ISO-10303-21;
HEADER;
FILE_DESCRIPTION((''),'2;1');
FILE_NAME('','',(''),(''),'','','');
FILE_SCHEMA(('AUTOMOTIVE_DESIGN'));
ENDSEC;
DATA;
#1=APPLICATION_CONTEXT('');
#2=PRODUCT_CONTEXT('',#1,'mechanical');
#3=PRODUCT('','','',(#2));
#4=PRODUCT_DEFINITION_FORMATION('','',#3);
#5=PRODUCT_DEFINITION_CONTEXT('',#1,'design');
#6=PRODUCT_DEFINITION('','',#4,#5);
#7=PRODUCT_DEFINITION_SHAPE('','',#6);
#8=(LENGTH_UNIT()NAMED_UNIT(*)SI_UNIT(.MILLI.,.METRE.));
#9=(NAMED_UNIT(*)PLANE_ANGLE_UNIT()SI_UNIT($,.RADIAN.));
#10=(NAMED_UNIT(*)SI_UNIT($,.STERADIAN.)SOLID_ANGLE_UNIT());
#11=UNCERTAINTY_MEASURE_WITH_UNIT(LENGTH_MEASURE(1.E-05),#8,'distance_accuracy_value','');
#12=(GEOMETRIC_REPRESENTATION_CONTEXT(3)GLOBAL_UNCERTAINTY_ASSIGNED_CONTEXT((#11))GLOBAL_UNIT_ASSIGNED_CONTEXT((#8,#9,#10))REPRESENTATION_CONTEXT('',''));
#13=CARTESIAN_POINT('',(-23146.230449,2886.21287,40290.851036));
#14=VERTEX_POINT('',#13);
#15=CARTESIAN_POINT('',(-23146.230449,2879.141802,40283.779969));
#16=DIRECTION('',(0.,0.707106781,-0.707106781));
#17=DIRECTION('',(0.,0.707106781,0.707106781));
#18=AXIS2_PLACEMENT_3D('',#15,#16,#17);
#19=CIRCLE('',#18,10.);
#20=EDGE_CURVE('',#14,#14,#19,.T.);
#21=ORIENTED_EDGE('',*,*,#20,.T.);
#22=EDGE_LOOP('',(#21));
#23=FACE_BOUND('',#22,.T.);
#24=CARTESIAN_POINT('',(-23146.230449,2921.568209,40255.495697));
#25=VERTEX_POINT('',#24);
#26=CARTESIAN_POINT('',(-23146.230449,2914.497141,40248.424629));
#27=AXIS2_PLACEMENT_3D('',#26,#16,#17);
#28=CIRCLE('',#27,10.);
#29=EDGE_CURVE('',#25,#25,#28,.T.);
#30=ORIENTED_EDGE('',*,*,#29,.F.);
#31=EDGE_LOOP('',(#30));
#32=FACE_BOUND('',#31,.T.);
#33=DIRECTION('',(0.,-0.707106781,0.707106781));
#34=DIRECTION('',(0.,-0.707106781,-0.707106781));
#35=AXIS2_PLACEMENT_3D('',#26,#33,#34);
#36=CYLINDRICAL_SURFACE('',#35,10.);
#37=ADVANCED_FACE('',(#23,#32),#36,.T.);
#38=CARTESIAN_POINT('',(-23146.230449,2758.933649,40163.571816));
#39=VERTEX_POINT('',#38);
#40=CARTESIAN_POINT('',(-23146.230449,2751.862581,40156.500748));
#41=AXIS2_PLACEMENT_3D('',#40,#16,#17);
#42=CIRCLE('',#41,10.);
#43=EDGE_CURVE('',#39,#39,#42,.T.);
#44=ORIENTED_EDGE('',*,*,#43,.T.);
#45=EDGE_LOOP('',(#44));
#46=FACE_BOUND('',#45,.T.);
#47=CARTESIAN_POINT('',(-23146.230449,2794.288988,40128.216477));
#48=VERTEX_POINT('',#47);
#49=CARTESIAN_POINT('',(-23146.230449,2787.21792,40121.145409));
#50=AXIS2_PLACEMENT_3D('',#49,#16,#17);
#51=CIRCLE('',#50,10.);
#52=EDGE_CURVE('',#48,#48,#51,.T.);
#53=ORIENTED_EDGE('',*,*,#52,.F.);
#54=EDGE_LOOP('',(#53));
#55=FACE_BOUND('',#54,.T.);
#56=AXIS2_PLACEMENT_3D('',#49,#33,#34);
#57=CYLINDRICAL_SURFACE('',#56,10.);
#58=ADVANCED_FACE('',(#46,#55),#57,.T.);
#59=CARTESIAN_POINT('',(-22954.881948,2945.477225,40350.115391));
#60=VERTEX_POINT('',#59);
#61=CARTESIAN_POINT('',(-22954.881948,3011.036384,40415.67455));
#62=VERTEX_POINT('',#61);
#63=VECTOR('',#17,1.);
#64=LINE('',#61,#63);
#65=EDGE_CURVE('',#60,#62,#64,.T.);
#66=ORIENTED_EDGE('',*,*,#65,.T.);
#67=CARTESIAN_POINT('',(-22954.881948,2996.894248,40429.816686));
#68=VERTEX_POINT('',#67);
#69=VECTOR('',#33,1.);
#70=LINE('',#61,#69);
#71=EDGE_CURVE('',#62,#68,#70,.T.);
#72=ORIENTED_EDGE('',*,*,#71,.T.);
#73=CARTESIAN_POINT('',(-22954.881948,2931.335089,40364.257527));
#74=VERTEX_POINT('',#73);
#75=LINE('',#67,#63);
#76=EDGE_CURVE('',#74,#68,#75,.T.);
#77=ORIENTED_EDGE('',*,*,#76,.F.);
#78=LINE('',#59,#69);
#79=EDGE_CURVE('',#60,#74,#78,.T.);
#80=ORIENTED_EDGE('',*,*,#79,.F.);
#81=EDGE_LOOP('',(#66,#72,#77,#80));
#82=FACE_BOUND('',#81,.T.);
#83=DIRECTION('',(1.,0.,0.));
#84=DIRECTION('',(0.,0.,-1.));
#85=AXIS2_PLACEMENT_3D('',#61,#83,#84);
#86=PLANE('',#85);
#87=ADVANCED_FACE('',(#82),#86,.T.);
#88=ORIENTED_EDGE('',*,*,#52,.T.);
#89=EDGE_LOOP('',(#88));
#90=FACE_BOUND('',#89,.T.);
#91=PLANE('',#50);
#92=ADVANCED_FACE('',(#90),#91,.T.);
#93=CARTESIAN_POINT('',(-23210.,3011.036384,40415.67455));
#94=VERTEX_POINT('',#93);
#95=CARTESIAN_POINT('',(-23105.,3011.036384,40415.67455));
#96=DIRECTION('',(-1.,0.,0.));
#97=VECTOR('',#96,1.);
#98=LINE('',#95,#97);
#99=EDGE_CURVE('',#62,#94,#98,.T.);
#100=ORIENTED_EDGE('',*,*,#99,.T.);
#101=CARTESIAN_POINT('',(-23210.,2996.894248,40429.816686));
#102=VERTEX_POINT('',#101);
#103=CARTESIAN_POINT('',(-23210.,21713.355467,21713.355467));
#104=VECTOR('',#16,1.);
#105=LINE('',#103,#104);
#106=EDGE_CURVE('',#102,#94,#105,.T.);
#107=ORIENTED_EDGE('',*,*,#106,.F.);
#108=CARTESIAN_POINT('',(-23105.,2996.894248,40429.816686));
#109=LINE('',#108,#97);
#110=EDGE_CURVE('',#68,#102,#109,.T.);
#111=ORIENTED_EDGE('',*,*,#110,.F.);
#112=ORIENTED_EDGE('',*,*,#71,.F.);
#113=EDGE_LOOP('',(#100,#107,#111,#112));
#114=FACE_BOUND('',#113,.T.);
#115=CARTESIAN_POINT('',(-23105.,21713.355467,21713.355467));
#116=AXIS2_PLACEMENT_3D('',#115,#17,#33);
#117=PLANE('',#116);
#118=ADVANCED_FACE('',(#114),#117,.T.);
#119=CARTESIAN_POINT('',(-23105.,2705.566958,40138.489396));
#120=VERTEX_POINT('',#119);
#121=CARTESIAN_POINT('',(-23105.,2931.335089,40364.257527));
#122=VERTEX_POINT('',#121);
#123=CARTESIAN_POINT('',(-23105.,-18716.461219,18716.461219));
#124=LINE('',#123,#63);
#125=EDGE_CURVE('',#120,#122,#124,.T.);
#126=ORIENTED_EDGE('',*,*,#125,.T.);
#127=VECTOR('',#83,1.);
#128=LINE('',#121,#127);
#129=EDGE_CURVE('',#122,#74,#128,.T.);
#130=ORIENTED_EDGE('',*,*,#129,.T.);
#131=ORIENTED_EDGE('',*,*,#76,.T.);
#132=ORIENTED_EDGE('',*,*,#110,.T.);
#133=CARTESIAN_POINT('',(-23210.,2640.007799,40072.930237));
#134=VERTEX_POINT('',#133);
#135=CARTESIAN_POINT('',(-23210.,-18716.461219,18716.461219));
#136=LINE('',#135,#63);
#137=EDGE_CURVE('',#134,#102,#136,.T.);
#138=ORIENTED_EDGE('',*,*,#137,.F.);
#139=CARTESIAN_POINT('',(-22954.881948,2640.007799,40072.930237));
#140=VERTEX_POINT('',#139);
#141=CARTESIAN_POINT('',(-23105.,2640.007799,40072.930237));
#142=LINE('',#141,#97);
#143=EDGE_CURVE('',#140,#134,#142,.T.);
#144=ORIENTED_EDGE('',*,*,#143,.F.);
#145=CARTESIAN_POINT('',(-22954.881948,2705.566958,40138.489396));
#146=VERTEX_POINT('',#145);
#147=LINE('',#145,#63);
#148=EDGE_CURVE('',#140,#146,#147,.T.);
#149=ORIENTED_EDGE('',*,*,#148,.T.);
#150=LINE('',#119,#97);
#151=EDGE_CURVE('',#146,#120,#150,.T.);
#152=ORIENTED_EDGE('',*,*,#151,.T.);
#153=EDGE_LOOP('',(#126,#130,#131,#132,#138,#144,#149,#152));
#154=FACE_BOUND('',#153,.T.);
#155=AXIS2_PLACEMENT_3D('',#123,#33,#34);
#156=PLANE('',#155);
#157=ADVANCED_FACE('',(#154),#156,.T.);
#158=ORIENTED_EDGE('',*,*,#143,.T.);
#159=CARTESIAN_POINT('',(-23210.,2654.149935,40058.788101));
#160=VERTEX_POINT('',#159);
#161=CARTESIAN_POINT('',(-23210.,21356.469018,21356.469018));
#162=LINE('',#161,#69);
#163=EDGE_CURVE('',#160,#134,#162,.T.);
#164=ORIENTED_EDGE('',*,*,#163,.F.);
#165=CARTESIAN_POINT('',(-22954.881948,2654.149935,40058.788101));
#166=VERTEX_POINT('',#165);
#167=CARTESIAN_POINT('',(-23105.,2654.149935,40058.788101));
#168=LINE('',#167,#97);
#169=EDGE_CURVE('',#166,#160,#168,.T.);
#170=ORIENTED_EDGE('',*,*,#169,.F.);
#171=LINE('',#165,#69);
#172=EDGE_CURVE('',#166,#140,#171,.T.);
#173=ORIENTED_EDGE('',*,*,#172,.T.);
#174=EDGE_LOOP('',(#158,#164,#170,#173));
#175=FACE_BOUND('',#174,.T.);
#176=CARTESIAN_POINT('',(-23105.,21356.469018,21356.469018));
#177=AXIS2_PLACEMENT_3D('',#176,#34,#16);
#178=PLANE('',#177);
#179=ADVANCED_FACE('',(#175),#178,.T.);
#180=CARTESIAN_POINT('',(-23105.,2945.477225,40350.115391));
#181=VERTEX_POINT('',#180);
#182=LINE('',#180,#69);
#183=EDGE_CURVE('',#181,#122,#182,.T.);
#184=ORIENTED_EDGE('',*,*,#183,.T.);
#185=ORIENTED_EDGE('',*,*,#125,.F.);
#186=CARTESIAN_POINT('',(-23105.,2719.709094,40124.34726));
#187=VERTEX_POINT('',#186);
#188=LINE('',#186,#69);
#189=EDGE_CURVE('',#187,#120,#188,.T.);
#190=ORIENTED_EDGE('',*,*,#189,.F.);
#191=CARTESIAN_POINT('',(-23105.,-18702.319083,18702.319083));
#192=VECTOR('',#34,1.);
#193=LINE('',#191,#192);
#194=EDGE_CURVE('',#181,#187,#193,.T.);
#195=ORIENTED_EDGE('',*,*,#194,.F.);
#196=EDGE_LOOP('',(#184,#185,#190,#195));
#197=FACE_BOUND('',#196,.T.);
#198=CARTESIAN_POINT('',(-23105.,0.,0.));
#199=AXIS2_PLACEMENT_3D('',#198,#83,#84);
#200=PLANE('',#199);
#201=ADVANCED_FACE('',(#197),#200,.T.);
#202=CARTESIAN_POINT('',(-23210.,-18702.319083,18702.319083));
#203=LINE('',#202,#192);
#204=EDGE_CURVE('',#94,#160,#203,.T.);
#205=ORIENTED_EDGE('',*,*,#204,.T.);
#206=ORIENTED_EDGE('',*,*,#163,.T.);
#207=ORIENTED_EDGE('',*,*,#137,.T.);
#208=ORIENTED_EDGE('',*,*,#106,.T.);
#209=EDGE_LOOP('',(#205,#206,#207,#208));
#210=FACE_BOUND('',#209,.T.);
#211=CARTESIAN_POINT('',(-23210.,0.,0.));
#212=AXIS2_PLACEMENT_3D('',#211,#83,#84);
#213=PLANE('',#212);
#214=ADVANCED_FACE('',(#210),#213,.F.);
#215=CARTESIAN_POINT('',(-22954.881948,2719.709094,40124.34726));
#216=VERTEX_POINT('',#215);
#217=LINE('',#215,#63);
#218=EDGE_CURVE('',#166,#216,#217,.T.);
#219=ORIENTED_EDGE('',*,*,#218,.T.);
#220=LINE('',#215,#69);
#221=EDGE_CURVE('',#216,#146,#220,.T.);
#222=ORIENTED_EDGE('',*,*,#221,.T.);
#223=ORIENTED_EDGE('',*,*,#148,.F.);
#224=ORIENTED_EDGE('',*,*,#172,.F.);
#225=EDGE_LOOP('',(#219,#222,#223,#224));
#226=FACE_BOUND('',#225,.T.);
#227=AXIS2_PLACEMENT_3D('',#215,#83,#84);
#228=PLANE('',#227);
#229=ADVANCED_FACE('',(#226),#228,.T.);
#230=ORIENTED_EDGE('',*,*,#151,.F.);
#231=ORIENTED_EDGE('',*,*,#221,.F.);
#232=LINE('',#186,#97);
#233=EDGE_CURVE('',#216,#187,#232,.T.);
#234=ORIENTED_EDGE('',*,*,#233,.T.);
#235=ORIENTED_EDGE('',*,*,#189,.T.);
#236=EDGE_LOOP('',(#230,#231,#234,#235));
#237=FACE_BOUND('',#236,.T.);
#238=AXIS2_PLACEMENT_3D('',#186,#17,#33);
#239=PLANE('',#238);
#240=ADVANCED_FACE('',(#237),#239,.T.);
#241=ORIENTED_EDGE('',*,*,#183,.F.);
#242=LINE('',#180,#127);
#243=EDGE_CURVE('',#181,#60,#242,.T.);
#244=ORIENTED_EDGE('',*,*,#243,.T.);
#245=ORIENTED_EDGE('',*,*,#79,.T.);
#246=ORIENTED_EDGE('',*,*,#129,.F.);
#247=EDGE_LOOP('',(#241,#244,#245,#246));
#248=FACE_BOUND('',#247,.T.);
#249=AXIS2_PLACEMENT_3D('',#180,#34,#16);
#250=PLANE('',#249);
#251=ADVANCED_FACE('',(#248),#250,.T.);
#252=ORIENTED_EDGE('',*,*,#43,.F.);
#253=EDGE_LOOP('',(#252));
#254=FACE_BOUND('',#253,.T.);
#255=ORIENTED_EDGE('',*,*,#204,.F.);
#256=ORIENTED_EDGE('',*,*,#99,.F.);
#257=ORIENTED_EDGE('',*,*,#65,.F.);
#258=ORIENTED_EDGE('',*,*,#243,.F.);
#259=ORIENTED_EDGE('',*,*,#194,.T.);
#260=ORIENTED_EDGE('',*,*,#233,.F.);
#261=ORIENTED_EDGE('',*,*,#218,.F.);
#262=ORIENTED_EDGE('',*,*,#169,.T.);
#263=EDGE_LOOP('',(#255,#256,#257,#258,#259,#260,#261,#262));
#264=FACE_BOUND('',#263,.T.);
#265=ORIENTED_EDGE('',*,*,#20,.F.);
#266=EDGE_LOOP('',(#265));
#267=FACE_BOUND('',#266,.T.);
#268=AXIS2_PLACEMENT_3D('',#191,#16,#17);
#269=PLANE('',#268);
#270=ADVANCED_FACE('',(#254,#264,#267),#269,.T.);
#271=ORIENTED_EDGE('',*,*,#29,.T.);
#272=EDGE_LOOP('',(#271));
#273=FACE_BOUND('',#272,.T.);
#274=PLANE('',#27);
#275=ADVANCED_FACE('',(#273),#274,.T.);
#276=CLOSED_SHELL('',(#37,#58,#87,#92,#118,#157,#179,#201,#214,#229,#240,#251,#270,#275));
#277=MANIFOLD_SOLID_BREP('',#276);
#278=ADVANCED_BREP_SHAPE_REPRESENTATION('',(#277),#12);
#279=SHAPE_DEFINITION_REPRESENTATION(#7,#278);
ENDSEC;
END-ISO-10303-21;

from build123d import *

# Parameters (mm, degrees)
BOSS_EXTRUDE1_START      = -23110
BOSS_EXTRUDE1_DEPTH      = 5
BOSS_EXTRUDE1_DEPTH_BACK = 100
SKETCH3_W                = 150.118051911
SKETCH3_H                = 92.714651823
BOSS_EXTRUDE2_DEPTH      = 20
SKETCH4_R                = 10
BOSS_EXTRUDE3_DEPTH      = 50


with BuildPart() as part:
    # Sketch2 → Boss-Extrude1 (new body, two sides)
    with BuildSketch(Plane(origin=(0, 0, 0), x_dir=(0, 0, -1), z_dir=(1, 0, 0)).offset(BOSS_EXTRUDE1_START)) as boss_extrude1_sk:
        Polygon((-40429.816686048, 2996.894248022), (-40415.674550424, 3011.036383646), (-40415.674550424, 2982.752112399), align=None)
        Polygon((-40072.930236915, 2640.00779889), (-40415.674550424, 2982.752112399), (-40415.674550424, 3011.036383646), (-40072.930236915, 2668.292070137), align=None)
        Polygon((-40058.788101291, 2654.149934513), (-40072.930236915, 2640.00779889), (-40072.930236915, 2668.292070137), align=None)
    extrude(amount=BOSS_EXTRUDE1_DEPTH)
    extrude(boss_extrude1_sk.sketch, amount=-BOSS_EXTRUDE1_DEPTH_BACK)

    # Sketch3 → Boss-Extrude2 (add)
    with BuildSketch(Plane(origin=(0, -18716.461219013, 18716.461219015), x_dir=(1, 0, 0), z_dir=(0, -0.707106781, 0.707106781))):
        with Locations((-23029.940974045, 30660.964460197)):
            Rectangle(SKETCH3_W, SKETCH3_H)
        with Locations((-23029.940974045, 30248.965455429)):
            Rectangle(SKETCH3_W, SKETCH3_H)
    extrude(amount=-BOSS_EXTRUDE2_DEPTH)

    # Sketch4 → Boss-Extrude3 (add)
    with BuildSketch(Plane(origin=(0, -18702.319083389, 18702.319083389), x_dir=(1, 0, 0), z_dir=(0, 0.707106781, -0.707106781))):
        with Locations((-23146.230449039, -30340.794679614)):
            Circle(SKETCH4_R)
        with Locations((-23146.230449039, -30520.794679614)):
            Circle(SKETCH4_R)
    extrude(amount=BOSS_EXTRUDE3_DEPTH)


solid = part.part
